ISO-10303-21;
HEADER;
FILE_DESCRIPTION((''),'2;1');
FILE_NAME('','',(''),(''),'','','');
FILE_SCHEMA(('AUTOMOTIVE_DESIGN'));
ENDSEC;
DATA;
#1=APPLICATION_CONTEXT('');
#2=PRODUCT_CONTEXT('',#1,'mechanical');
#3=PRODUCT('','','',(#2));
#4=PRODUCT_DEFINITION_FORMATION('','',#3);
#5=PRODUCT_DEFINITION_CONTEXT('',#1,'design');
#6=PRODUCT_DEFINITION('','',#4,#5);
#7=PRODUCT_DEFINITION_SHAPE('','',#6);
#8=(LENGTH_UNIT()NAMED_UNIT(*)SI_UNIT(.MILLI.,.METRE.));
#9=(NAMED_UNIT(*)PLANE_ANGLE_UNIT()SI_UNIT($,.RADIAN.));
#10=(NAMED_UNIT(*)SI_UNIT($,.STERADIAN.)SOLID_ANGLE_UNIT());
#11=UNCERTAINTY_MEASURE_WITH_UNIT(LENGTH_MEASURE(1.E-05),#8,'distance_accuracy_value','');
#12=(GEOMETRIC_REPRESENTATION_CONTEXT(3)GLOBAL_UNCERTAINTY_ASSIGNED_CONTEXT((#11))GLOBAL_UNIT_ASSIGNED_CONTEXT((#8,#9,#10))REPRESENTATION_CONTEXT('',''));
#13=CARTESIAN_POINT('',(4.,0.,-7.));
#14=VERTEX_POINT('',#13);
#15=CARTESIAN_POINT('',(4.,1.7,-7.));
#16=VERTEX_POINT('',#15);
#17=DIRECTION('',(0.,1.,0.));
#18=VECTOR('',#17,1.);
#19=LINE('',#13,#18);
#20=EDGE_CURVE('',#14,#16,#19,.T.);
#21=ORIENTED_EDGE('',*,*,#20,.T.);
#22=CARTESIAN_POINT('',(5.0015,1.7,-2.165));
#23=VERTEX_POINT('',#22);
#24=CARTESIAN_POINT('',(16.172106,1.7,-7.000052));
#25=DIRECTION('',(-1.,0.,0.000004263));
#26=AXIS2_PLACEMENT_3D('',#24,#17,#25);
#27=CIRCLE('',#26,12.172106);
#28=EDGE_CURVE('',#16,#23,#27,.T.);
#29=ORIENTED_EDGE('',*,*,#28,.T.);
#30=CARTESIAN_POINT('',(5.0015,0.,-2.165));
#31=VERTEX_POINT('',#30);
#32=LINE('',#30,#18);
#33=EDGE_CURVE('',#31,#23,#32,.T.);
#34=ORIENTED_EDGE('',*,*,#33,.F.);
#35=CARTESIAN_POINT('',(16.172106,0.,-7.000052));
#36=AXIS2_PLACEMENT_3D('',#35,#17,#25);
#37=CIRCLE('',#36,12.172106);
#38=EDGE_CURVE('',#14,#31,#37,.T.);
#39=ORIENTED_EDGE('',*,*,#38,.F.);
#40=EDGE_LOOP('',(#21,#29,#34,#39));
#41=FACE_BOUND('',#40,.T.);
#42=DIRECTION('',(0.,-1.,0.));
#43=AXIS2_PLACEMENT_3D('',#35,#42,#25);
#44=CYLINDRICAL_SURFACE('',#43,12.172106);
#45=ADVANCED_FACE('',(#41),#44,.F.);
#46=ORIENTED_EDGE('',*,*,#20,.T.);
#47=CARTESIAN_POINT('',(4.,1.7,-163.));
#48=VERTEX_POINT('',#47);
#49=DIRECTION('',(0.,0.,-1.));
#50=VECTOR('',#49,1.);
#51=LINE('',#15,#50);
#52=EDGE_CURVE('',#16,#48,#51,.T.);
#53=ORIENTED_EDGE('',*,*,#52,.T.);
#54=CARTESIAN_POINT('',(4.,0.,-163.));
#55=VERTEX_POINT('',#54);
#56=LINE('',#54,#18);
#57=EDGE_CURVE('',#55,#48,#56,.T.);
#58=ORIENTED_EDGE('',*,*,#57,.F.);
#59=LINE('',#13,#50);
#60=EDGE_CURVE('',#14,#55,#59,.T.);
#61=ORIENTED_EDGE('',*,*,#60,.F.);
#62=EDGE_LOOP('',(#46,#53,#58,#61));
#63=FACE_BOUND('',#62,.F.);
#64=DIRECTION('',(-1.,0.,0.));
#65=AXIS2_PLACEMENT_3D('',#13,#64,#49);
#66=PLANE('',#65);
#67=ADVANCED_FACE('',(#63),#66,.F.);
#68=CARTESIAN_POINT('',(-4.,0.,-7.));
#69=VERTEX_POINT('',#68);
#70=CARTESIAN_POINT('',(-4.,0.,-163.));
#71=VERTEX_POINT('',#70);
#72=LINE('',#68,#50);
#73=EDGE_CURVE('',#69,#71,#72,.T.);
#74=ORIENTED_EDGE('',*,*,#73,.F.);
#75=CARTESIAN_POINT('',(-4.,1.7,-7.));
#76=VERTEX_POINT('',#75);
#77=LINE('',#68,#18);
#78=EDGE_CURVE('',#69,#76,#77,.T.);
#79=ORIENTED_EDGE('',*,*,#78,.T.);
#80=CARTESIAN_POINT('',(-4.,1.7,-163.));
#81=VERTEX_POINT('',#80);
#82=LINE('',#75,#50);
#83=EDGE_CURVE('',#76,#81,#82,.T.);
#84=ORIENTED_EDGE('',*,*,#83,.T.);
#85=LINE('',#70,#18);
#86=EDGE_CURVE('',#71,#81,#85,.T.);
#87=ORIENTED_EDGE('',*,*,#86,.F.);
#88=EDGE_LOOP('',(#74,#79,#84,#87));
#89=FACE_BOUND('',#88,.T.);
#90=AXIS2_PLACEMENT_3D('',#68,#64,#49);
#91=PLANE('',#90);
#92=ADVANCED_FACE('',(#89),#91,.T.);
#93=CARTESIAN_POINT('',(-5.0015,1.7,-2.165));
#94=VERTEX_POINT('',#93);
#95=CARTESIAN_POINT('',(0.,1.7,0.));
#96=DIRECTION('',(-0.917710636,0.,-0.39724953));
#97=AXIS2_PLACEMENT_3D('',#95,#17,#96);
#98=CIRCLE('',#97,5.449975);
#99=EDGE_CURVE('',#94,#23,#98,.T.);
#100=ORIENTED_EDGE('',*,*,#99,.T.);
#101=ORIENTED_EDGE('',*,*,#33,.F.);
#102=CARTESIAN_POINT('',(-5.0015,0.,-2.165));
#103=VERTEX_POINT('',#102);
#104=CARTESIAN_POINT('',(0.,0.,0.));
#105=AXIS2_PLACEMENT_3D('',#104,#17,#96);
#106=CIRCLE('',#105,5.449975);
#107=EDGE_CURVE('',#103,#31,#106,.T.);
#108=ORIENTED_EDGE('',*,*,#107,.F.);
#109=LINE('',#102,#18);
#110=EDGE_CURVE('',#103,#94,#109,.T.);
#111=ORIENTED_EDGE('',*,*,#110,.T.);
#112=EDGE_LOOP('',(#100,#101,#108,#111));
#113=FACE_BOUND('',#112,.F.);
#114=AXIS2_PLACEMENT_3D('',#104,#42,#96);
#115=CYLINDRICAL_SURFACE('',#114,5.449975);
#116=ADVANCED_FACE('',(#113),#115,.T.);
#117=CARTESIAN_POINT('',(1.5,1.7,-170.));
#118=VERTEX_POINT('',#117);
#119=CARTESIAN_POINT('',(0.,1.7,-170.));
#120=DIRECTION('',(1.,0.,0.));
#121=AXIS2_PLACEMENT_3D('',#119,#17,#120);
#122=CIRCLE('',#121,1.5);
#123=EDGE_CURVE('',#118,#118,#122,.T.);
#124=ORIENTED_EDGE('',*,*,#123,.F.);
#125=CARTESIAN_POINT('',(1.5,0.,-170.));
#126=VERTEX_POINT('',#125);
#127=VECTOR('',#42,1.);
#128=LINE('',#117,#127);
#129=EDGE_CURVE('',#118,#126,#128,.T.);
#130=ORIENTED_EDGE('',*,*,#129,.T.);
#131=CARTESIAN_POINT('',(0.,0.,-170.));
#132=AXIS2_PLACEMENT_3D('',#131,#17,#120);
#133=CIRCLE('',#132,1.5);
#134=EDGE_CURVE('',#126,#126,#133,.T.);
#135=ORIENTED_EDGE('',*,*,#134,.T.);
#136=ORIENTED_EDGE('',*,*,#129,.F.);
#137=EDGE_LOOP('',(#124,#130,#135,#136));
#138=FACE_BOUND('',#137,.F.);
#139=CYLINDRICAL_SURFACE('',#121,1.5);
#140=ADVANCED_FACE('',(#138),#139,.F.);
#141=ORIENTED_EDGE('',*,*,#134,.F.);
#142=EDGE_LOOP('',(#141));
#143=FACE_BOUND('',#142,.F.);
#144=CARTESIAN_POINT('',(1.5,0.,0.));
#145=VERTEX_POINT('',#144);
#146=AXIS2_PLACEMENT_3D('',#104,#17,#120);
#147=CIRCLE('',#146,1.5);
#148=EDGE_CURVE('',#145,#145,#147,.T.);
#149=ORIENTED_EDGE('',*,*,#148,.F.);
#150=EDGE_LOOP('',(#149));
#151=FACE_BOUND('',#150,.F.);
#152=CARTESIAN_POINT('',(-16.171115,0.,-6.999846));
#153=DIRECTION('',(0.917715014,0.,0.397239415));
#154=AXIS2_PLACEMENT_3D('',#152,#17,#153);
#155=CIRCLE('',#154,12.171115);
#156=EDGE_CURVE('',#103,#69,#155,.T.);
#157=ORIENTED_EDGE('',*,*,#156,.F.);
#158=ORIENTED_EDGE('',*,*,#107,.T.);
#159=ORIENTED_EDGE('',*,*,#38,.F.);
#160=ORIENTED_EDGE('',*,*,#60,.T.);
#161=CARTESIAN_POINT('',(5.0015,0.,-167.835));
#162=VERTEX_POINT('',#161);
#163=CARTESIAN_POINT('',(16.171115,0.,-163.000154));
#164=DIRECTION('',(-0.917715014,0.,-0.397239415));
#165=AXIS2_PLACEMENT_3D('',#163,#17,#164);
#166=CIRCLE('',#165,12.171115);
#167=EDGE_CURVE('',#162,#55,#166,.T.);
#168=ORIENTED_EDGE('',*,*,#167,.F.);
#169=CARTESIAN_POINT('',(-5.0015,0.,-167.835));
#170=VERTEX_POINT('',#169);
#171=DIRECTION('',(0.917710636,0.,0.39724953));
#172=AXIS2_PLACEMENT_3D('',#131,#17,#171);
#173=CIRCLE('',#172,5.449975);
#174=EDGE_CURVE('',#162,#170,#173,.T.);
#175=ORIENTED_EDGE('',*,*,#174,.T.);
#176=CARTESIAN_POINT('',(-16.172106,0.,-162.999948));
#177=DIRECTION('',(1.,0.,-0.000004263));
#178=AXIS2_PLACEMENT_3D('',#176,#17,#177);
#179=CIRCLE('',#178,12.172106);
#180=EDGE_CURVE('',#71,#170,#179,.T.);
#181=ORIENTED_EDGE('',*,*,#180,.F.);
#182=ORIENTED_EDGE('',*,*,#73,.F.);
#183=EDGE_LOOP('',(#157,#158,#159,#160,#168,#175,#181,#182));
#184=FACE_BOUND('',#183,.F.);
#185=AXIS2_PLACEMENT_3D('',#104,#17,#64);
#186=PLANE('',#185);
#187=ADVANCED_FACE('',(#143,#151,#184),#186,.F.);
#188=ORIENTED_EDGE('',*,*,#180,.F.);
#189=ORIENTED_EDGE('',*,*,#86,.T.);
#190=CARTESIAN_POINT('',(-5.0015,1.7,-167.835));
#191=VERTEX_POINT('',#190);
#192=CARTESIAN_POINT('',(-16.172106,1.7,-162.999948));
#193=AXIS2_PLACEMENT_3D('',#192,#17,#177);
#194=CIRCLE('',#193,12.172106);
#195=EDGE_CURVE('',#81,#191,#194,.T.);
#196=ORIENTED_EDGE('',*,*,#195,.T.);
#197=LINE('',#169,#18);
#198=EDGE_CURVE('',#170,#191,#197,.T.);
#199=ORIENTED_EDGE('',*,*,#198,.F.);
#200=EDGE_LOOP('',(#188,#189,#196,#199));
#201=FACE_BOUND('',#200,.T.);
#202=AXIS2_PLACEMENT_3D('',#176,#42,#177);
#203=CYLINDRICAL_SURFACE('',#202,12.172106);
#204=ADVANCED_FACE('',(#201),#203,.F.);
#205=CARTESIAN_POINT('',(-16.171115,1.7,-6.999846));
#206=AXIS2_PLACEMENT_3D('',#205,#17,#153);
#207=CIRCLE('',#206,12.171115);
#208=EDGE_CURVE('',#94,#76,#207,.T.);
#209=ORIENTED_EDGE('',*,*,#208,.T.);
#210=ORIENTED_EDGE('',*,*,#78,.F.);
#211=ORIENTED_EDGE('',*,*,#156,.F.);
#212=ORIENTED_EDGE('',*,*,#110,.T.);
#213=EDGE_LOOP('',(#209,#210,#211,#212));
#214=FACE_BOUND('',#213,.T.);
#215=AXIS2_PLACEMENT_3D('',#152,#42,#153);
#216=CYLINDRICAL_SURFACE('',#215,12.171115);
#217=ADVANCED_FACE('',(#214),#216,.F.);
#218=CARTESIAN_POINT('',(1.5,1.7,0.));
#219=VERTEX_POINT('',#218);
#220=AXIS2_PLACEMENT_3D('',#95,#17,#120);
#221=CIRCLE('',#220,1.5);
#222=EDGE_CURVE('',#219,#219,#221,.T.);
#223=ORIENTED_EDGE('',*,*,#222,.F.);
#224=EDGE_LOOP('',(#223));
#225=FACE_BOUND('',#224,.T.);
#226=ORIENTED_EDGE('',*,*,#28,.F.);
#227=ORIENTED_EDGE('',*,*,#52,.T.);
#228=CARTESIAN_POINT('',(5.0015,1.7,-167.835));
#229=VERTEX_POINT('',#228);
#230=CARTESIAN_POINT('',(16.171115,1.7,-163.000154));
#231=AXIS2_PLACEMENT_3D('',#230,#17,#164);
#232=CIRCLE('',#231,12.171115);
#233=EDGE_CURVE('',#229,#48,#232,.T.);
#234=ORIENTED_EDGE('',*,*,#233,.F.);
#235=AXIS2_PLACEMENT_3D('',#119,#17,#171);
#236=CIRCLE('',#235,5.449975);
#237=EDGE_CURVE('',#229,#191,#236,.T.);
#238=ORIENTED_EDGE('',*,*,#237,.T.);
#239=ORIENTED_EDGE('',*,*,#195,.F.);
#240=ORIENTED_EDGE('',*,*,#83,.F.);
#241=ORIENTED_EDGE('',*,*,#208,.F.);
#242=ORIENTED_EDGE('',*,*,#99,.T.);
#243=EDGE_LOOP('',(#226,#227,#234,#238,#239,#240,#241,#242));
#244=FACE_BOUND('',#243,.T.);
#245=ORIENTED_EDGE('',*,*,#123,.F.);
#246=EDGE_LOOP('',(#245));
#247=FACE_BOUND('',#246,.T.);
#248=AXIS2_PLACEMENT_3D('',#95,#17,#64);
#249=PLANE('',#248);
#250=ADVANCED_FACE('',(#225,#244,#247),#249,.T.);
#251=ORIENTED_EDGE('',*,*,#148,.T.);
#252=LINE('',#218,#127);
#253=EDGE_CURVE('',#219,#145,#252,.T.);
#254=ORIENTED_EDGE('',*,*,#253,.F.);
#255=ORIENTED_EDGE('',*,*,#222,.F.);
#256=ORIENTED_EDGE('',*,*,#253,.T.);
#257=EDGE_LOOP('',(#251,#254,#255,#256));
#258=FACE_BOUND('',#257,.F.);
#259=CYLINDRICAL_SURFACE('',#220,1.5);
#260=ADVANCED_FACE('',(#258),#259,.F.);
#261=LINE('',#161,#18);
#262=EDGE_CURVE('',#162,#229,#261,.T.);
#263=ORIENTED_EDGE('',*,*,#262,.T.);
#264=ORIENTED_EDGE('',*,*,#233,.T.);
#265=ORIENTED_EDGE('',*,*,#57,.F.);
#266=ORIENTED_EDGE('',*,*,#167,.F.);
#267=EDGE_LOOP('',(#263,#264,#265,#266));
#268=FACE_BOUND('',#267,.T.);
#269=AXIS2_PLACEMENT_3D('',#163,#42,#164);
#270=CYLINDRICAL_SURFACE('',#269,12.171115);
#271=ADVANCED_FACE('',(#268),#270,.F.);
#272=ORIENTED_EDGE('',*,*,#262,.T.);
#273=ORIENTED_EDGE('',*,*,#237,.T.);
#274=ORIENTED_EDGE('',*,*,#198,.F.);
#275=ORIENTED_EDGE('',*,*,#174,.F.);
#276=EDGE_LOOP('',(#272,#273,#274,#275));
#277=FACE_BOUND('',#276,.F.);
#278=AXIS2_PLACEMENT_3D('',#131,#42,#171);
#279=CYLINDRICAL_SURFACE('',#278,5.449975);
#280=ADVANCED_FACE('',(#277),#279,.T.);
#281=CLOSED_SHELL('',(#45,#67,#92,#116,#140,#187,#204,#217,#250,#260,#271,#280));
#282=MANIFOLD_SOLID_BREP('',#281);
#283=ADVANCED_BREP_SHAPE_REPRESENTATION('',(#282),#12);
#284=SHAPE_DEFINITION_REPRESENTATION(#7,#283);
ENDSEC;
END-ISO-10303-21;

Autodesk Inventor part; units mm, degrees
ref_plane "YZ Plane" through (0, 0, 0) normal (1, 0, 0) x (0, 1, 0)
ref_plane "XZ Plane" through (0, 0, 0) normal (0, 1, 0) x (-1, 0, 0)
ref_plane "XY Plane" through (0, 0, 0) normal (0, 0, 1) x (1, 0, 0)
sketch "Sketch1" plane through (0, 0, 0) normal (0, 1, 0) x (-1, 0, 0)
  arc A0 (5.0015, -2.165) -> (-5.0015, -2.165) centre (0, 0) ccw
  line L0 (4, -7) -> (4, -163)
  line L1 (-4, -7) -> (-4, -163)
  arc A1 (5.0015, -2.165) -> (4, -7) centre (16.1716, -7) ccw
  arc A2 (-4, -7) -> (-5.0015, -2.165) centre (-16.1716, -7) ccw
  arc A3 (-5.0015, -167.835) -> (5.0015, -167.835) centre (0, -170) ccw
  arc A4 (4, -163) -> (5.0015, -167.835) centre (16.1716, -163) ccw
  arc A5 (-5.0015, -167.835) -> (-4, -163) centre (-16.1716, -163) ccw
  dimension "d0" = 10.9
  dimension "d4" = 4
  dimension "d5" = 4
  dimension "d6" = 0
  dimension "d7" = 10.9
  dimension "d8" = 170
  dimension "d9" = 0
  dimension "d10" = 7
  dimension "d12" = 4
  dimension "d13" = 7
extrude "Extrusion1" add sketch "Sketch1" along normal blind 1.7
sketch "Sketch2" plane through (0, 1.7, 0) normal (0, 1, 0) x (1, 0, 0)
  arc A0 (5.0015, 167.835) -> (-5.0015, 167.835) centre (0, 170) ccw projected
  arc A1 (-5.0015, 2.165) -> (5.0015, 2.165) centre (0, 0) ccw projected
  circle A2 centre (0, 0) radius 1.5
  circle A3 centre (0, 170) radius 1.5
  dimension "d16" = 3
  dimension "d17" = 3
extrude "Extrusion2" cut sketch "Sketch2" against normal blind 1.7
equation "\"BendRadius\" = Thickness"
equation "\"BendReliefWidth\" = Thickness"
equation "\"BendReliefDepth\" = 0.5 * Thickness"
equation "\"CornerReliefSize\" = 4 * Thickness"
equation "\"MinimumRemnant\" = 2 * Thickness"
equation "\"TransitionRadius\" = BendRadius"
equation "\"JacobiRadiusSize\" = BendRadius"
equation "\"GapSize\" = Thickness"
equation "\"Thickness\" = 3.048"
properties part number "A2P1"
